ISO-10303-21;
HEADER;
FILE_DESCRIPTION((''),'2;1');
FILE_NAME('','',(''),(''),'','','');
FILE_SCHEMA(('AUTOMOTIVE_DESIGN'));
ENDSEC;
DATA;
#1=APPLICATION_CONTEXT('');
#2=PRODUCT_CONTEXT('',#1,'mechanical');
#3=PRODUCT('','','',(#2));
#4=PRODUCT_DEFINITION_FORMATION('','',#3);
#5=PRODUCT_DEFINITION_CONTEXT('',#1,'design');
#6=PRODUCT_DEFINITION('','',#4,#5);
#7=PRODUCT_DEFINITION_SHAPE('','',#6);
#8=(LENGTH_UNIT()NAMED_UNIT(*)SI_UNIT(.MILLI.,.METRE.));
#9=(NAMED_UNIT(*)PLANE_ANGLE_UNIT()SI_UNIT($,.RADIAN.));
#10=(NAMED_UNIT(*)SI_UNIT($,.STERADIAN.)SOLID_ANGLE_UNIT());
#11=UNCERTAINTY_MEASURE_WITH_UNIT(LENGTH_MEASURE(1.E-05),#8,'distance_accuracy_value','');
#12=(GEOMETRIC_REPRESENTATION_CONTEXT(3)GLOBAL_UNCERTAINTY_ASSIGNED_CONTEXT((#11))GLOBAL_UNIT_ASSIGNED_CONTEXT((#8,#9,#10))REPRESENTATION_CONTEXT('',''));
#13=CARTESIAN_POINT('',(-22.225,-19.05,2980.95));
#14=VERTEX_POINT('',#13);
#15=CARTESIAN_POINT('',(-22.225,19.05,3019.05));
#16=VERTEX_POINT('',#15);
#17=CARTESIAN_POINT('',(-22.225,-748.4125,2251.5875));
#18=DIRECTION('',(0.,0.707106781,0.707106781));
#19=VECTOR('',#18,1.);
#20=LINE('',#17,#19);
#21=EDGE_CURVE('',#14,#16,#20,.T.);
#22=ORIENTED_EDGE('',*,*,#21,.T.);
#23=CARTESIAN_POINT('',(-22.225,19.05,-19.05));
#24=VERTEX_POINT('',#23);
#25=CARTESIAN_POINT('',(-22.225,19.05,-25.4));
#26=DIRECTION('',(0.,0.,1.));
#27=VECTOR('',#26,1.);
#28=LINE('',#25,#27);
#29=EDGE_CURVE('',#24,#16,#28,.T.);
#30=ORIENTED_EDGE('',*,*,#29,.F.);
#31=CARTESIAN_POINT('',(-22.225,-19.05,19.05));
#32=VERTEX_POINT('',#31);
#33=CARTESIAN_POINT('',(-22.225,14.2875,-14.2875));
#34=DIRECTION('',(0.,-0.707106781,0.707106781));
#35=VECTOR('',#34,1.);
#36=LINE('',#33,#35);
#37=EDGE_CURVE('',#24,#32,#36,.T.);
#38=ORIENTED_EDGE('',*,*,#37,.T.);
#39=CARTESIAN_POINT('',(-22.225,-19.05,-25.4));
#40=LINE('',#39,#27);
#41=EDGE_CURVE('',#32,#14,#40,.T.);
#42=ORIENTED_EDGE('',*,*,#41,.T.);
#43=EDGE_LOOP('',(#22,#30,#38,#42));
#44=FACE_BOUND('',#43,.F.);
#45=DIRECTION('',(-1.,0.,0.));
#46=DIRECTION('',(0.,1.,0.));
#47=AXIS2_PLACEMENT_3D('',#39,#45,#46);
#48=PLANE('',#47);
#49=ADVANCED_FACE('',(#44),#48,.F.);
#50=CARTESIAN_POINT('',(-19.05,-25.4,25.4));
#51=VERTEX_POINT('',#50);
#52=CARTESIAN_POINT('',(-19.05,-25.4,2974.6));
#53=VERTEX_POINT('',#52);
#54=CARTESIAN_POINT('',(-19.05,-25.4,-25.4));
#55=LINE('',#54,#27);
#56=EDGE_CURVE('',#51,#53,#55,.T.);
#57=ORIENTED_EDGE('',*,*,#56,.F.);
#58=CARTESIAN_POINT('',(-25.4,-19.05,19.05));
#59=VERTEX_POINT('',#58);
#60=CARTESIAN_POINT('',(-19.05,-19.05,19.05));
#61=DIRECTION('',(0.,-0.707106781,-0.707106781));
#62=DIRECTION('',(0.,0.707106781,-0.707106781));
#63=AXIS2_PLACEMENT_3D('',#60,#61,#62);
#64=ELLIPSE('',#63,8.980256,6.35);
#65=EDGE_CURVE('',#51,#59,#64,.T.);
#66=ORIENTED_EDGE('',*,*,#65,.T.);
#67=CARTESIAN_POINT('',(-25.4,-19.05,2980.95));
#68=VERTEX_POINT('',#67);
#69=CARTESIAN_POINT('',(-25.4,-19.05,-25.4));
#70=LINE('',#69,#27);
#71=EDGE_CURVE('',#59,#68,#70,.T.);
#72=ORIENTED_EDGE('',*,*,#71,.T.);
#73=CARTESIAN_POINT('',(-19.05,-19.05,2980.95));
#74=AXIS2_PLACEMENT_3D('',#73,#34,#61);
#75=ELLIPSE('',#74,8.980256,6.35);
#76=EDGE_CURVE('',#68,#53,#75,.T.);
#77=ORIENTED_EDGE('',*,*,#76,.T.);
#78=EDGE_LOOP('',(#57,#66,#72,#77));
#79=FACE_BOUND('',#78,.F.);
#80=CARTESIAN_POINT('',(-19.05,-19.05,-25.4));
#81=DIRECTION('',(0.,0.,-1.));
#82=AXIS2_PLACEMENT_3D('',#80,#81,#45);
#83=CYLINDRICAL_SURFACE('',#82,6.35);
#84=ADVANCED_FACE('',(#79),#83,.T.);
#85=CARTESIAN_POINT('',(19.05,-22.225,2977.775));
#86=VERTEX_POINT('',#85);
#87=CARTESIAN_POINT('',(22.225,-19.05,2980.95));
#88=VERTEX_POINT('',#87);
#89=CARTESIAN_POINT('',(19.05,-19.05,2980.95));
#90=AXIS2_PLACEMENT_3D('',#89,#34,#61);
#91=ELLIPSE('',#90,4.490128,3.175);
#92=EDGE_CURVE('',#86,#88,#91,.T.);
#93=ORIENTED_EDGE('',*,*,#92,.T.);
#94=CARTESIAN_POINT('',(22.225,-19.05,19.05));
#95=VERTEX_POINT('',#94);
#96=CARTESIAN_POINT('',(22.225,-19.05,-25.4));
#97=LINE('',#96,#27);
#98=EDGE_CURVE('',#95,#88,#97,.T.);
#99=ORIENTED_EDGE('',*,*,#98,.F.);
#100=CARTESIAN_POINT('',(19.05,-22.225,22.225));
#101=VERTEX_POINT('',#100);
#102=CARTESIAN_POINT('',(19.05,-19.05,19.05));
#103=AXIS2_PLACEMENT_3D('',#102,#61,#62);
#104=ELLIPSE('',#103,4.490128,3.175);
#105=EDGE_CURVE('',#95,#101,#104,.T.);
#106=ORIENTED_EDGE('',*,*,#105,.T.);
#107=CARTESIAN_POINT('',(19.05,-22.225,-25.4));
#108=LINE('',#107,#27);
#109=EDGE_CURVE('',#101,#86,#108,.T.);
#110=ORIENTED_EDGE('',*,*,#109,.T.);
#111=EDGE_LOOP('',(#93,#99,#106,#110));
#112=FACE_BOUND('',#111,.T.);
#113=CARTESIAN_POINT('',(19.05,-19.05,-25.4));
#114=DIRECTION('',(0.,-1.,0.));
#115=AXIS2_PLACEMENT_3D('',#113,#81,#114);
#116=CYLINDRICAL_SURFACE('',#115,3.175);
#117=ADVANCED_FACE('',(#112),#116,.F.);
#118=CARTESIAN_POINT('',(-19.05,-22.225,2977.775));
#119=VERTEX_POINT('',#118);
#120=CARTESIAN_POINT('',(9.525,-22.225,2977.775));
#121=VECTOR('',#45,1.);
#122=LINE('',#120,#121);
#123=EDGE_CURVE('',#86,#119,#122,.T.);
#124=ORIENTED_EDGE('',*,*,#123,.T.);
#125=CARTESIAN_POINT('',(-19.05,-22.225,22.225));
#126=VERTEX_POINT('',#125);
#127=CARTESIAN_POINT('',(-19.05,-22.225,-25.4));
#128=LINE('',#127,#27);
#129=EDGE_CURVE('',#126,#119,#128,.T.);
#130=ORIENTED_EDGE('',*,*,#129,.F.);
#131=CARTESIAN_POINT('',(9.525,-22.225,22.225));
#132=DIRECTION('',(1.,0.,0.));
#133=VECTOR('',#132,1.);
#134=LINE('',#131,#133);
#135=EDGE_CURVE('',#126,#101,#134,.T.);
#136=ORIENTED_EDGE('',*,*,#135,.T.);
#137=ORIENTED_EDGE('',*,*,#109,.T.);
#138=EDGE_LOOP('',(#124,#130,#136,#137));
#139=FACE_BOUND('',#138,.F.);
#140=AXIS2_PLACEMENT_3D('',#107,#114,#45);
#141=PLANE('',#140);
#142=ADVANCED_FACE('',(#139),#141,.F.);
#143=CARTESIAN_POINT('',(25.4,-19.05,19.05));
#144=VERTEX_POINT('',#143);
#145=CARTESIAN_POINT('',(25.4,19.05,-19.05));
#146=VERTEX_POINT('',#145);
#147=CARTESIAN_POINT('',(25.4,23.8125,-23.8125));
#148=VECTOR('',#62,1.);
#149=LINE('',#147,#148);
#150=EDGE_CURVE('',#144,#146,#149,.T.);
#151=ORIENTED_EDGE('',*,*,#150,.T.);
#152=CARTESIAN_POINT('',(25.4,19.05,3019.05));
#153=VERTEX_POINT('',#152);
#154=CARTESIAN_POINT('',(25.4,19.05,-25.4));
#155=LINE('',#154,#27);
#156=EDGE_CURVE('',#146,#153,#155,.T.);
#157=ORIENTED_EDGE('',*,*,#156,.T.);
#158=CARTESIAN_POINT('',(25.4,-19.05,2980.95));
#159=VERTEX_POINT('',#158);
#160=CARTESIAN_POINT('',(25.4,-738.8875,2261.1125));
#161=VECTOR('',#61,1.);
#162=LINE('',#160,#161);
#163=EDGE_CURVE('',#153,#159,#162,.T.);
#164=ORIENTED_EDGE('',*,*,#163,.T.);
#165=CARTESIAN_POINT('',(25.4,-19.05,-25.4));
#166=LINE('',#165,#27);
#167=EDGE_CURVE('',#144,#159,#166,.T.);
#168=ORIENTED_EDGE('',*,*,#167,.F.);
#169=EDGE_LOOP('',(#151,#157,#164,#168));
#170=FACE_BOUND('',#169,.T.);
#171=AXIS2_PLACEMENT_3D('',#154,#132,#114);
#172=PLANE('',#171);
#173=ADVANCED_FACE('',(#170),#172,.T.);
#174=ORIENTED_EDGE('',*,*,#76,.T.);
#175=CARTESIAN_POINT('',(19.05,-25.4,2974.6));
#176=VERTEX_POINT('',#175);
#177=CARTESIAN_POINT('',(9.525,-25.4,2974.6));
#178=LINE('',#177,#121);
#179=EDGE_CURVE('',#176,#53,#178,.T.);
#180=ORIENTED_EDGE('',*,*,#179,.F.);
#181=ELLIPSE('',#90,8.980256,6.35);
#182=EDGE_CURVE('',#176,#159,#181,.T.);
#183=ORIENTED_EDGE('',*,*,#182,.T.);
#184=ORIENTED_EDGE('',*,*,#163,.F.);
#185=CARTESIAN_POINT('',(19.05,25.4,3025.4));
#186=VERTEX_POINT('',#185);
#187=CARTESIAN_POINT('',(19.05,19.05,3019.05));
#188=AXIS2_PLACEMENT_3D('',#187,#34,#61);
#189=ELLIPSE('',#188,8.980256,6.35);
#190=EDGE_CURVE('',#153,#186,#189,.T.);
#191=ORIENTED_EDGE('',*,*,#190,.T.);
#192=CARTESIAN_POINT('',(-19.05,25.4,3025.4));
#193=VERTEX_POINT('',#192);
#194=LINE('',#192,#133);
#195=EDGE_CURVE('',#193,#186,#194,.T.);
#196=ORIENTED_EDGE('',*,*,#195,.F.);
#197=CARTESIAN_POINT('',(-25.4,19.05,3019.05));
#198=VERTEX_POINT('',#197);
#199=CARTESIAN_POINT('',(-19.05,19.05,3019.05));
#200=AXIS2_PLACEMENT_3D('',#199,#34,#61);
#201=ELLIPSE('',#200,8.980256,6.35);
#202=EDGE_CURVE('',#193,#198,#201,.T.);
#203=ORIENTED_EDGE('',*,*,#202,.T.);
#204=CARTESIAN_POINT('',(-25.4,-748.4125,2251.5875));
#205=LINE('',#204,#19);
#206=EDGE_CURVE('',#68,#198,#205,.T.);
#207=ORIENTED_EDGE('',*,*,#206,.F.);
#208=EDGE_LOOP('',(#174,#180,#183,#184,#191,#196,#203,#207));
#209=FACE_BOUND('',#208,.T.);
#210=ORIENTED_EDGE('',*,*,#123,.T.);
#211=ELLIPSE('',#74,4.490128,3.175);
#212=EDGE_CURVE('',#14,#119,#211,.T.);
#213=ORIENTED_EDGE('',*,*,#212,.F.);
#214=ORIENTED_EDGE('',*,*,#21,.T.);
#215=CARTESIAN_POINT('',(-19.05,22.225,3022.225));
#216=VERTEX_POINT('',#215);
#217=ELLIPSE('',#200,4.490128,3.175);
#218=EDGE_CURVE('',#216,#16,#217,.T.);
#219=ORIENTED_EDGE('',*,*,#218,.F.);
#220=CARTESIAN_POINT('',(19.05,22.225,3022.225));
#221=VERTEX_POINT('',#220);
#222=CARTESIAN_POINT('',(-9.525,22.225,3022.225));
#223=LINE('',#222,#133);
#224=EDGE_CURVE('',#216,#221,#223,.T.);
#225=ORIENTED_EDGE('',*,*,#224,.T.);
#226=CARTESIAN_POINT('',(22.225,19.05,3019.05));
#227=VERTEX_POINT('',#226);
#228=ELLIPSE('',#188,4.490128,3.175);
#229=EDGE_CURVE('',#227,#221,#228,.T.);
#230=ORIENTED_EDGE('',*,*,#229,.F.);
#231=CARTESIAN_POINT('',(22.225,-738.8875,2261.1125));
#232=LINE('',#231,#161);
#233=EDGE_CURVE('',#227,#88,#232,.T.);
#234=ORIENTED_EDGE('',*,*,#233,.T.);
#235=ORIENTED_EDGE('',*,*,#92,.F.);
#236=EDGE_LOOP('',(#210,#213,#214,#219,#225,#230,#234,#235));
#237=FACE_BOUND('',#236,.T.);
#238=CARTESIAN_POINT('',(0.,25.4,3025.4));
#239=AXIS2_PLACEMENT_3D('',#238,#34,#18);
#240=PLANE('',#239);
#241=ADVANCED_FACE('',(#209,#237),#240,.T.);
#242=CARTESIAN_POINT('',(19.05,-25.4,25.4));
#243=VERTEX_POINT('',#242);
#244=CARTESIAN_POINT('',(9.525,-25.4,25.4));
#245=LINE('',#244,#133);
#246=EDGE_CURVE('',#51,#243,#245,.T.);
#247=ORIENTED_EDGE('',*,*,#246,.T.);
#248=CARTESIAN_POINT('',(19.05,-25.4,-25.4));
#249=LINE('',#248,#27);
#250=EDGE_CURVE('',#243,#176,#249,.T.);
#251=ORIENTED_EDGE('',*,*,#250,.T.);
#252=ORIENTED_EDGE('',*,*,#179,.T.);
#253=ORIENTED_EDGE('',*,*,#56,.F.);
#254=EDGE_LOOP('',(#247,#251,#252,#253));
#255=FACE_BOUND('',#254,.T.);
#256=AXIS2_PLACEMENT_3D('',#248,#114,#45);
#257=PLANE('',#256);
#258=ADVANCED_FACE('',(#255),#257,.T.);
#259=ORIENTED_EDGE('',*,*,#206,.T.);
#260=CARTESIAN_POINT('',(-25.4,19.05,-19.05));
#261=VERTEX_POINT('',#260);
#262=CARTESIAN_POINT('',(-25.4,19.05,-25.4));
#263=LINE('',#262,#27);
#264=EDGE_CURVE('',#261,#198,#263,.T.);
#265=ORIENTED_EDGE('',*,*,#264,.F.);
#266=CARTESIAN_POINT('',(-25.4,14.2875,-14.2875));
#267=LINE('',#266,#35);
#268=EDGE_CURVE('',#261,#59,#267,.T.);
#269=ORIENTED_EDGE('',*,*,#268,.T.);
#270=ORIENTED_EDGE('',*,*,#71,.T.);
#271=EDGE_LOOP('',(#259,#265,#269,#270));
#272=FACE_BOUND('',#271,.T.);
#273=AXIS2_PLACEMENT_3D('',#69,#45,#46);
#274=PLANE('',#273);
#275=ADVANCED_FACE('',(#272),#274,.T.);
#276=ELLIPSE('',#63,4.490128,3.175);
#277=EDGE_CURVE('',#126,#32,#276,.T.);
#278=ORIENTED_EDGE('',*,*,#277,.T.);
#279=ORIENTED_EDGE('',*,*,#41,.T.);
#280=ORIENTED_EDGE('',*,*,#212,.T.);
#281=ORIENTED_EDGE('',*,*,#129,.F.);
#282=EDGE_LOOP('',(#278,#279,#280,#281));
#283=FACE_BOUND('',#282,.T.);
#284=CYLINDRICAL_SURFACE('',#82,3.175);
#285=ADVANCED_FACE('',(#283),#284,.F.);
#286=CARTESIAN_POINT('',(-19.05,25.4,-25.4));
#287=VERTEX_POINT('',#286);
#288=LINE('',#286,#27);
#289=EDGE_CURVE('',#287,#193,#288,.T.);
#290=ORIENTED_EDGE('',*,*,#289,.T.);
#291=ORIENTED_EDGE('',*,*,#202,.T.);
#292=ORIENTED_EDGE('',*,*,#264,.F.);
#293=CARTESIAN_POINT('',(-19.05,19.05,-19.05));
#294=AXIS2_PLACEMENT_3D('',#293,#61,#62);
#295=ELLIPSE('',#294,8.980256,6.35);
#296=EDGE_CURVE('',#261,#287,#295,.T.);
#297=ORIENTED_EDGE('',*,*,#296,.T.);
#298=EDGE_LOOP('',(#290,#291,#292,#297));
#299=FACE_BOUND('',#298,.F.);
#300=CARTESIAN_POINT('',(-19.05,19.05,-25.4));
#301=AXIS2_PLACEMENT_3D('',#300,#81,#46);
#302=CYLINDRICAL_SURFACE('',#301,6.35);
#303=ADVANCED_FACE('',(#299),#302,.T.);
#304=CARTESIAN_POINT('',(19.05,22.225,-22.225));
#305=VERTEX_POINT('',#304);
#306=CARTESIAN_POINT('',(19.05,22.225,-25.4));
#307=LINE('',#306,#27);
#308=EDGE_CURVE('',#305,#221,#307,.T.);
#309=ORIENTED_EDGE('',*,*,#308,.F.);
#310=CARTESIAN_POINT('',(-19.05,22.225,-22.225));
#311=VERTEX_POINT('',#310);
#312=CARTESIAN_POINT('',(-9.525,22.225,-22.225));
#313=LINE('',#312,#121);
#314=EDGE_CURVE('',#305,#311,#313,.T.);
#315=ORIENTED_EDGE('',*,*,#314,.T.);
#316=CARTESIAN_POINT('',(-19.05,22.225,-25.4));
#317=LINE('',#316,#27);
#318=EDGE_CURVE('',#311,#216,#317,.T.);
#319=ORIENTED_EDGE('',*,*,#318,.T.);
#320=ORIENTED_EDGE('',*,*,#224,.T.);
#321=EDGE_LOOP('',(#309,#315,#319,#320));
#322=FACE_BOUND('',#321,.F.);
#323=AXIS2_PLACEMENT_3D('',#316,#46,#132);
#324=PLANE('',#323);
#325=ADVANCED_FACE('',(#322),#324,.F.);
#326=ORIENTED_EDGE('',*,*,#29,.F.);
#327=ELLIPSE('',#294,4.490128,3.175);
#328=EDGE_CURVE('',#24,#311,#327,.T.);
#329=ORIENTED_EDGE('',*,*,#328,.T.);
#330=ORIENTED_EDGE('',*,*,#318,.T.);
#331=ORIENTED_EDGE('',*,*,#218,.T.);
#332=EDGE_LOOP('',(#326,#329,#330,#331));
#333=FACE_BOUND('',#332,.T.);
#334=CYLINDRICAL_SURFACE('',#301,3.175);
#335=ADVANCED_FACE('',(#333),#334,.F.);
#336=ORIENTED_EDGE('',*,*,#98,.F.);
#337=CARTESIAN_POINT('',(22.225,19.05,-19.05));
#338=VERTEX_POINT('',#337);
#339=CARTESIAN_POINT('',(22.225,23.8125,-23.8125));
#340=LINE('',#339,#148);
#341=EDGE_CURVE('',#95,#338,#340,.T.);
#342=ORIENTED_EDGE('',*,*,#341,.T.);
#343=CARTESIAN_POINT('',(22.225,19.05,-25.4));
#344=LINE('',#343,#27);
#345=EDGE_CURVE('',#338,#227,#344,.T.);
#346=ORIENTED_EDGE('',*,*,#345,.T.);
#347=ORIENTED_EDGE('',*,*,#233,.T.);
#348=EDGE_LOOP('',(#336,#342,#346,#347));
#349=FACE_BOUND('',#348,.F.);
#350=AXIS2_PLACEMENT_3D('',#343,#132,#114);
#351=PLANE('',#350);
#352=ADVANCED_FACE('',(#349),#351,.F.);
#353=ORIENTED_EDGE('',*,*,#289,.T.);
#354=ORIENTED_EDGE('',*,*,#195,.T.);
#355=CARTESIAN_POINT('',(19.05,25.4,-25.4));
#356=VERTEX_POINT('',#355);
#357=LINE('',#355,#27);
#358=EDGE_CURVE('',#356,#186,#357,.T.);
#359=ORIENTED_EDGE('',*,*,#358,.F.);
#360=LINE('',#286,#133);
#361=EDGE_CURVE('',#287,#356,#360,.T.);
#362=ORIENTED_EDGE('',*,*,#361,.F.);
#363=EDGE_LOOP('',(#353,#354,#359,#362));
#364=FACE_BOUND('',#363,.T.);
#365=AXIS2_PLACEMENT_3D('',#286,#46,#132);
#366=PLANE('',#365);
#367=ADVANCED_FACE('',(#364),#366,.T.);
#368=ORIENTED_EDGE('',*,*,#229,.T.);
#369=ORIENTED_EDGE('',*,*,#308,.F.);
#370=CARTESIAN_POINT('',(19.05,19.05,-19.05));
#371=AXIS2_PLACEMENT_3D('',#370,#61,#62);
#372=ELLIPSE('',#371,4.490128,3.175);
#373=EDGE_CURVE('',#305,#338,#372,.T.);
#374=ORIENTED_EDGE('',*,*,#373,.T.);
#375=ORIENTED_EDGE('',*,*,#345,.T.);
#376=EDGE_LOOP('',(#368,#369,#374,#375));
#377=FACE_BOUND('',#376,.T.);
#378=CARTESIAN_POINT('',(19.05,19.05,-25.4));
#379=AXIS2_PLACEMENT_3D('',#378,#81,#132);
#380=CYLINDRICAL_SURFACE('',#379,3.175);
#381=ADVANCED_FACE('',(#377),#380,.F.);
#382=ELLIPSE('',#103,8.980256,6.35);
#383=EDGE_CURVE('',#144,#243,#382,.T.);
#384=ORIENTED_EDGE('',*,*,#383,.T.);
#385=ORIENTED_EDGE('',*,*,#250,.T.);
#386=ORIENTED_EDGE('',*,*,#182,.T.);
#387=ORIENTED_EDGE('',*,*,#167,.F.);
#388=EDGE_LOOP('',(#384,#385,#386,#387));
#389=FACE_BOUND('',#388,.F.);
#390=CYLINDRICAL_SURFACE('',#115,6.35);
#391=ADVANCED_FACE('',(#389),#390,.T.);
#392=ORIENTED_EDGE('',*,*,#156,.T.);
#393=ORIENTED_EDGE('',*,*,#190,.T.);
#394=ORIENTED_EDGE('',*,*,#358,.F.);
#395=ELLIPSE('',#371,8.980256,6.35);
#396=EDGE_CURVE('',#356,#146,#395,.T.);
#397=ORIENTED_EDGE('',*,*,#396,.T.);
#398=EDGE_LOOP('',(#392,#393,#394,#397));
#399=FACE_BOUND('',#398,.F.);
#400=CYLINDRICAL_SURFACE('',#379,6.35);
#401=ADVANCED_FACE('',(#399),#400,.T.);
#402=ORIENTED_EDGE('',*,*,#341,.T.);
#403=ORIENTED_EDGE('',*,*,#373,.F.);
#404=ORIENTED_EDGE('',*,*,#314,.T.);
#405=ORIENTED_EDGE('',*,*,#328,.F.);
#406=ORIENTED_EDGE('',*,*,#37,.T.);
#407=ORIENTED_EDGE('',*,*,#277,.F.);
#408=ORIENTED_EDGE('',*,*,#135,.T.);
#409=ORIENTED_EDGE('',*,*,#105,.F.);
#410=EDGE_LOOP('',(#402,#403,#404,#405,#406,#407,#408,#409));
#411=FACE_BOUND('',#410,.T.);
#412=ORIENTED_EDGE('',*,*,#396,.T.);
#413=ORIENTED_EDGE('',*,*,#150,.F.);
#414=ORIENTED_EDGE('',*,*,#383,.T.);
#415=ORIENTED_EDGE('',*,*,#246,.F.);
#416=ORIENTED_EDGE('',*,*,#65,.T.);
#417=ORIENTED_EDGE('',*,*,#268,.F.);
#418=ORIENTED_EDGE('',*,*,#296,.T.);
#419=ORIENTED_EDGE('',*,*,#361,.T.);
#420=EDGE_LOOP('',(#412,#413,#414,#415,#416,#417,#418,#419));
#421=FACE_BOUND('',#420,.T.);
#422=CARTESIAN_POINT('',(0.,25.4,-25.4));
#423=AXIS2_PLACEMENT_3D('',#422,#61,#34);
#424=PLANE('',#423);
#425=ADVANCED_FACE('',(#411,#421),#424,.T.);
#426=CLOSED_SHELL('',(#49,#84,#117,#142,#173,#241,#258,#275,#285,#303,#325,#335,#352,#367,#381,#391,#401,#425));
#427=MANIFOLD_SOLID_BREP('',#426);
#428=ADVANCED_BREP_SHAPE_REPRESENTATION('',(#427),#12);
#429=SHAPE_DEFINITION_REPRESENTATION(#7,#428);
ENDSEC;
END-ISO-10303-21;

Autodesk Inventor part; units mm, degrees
ref_plane "Plano inicial" through (0, 0, -25.4) normal (0, 0, 1) x (1, 0, 0)
ref_plane "Plano final" through (0, 0, 3025.4) normal (0, 0, 1) x (1, 0, 0)
sketch "Boceto" plane through (0, 0, 0) normal (0, 0, 1) x (1, 0, 0)
  line L0 (-25.4, -19.05) -> (-25.4, 19.05)
  line L1 (-19.05, 25.4) -> (19.05, 25.4)
  line L2 (25.4, 19.05) -> (25.4, -19.05)
  line L3 (19.05, -25.4) -> (-19.05, -25.4)
  arc A0 (-25.4, -19.05) -> (-19.05, -25.4) centre (-19.05, -19.05) ccw
  arc A1 (-19.05, 25.4) -> (-25.4, 19.05) centre (-19.05, 19.05) ccw
  arc A2 (25.4, 19.05) -> (19.05, 25.4) centre (19.05, 19.05) ccw
  arc A3 (19.05, -25.4) -> (25.4, -19.05) centre (19.05, -19.05) ccw
  arc A4 (-19.05, 22.225) -> (-22.225, 19.05) centre (-19.05, 19.05) ccw
  line L4 (-19.05, 22.225) -> (19.05, 22.225)
  arc A5 (22.225, 19.05) -> (19.05, 22.225) centre (19.05, 19.05) ccw
  line L5 (22.225, 19.05) -> (22.225, -19.05)
  arc A6 (19.05, -22.225) -> (22.225, -19.05) centre (19.05, -19.05) ccw
  line L6 (19.05, -22.225) -> (-19.05, -22.225)
  arc A7 (-22.225, -19.05) -> (-19.05, -22.225) centre (-19.05, -19.05) ccw
  line L7 (-22.225, -19.05) -> (-22.225, 19.05)
  line L8 (0, 37.4012) -> (0, -37.4012) construction
  line L9 (-37.4012, 0) -> (37.4012, 0) construction
  dimension "d10" = 50.8
  dimension "d11" = 50.8
  dimension "d12" = 3.175
  dimension "d15" = 25.4
  dimension "d16" = 25.4
  dimension "d17" = 6.35
extrude "Cuerpo" add sketch "Boceto" along normal up to surface (3050.8 mm away) from surface at -25.4
sketch "Sketch3" plane through (0, 0, 0) normal (0, 0, 1) x (1, 0, 0)
  line L0 (0, 0) -> (10, 0)
ref_plane "Work Plane3" through (0, 0, 0) normal (0, -1, 0) x (1, 0, 0)
ref_plane "Plano de trabajo4" through (0, 25.4, -25.4) normal (0, -0.7071, -0.7071) x (1, 0, 0)
split "Dividir1" plane through (0, 25.4, -25.4) removes the side toward (0, -0.7071, -0.7071)
ref_plane "Plano de trabajo5" through (0, 25.4, 3025.4) normal (0, -0.7071, 0.7071) x (1, 0, 0)
split "Dividir2" plane through (0, 25.4, 3025.4) removes the side toward (0, -0.7071, 0.7071)
sketch "Sketch4" plane through (0, 0, 0) normal (0, -1, 0) x (1, 0, 0)
  line L0 (-2, -25.4) -> (12, -25.4) projected
  line L1 (-2, 3025.4) -> (12, 3025.4) projected
  dimension "d19" = 3050.8
equation "\"d10\" = G_H"
equation "\"d11\" = G_W"
equation "\"d12\" = G_T"
equation "\"d15\" = 0.5 * d10"
equation "\"d16\" = 0.5 * d11"
equation "\"d17\" = G_IR"
equation "\"d3\" = G_L"
equation "\"G_W\" = 50.8"
equation "\"G_H\" = 50.8"
equation "\"G_T\" = 3.175"
equation "\"G_IR\" = 6.35"
equation "\"G_L\" = d19"
equation "\"G_OFFSET_START\" = 25.4"
equation "\"G_OFFSET_END\" = 25.4"
equation "\"d13\" = -G_OFFSET_START"
equation "\"d14\" = G_OFFSET_END + B_L"
equation "\"B_L\" = 3000"
properties part number "AISC - 2 x 2 x 1/8 - 120,11" material "Acero, suave"
